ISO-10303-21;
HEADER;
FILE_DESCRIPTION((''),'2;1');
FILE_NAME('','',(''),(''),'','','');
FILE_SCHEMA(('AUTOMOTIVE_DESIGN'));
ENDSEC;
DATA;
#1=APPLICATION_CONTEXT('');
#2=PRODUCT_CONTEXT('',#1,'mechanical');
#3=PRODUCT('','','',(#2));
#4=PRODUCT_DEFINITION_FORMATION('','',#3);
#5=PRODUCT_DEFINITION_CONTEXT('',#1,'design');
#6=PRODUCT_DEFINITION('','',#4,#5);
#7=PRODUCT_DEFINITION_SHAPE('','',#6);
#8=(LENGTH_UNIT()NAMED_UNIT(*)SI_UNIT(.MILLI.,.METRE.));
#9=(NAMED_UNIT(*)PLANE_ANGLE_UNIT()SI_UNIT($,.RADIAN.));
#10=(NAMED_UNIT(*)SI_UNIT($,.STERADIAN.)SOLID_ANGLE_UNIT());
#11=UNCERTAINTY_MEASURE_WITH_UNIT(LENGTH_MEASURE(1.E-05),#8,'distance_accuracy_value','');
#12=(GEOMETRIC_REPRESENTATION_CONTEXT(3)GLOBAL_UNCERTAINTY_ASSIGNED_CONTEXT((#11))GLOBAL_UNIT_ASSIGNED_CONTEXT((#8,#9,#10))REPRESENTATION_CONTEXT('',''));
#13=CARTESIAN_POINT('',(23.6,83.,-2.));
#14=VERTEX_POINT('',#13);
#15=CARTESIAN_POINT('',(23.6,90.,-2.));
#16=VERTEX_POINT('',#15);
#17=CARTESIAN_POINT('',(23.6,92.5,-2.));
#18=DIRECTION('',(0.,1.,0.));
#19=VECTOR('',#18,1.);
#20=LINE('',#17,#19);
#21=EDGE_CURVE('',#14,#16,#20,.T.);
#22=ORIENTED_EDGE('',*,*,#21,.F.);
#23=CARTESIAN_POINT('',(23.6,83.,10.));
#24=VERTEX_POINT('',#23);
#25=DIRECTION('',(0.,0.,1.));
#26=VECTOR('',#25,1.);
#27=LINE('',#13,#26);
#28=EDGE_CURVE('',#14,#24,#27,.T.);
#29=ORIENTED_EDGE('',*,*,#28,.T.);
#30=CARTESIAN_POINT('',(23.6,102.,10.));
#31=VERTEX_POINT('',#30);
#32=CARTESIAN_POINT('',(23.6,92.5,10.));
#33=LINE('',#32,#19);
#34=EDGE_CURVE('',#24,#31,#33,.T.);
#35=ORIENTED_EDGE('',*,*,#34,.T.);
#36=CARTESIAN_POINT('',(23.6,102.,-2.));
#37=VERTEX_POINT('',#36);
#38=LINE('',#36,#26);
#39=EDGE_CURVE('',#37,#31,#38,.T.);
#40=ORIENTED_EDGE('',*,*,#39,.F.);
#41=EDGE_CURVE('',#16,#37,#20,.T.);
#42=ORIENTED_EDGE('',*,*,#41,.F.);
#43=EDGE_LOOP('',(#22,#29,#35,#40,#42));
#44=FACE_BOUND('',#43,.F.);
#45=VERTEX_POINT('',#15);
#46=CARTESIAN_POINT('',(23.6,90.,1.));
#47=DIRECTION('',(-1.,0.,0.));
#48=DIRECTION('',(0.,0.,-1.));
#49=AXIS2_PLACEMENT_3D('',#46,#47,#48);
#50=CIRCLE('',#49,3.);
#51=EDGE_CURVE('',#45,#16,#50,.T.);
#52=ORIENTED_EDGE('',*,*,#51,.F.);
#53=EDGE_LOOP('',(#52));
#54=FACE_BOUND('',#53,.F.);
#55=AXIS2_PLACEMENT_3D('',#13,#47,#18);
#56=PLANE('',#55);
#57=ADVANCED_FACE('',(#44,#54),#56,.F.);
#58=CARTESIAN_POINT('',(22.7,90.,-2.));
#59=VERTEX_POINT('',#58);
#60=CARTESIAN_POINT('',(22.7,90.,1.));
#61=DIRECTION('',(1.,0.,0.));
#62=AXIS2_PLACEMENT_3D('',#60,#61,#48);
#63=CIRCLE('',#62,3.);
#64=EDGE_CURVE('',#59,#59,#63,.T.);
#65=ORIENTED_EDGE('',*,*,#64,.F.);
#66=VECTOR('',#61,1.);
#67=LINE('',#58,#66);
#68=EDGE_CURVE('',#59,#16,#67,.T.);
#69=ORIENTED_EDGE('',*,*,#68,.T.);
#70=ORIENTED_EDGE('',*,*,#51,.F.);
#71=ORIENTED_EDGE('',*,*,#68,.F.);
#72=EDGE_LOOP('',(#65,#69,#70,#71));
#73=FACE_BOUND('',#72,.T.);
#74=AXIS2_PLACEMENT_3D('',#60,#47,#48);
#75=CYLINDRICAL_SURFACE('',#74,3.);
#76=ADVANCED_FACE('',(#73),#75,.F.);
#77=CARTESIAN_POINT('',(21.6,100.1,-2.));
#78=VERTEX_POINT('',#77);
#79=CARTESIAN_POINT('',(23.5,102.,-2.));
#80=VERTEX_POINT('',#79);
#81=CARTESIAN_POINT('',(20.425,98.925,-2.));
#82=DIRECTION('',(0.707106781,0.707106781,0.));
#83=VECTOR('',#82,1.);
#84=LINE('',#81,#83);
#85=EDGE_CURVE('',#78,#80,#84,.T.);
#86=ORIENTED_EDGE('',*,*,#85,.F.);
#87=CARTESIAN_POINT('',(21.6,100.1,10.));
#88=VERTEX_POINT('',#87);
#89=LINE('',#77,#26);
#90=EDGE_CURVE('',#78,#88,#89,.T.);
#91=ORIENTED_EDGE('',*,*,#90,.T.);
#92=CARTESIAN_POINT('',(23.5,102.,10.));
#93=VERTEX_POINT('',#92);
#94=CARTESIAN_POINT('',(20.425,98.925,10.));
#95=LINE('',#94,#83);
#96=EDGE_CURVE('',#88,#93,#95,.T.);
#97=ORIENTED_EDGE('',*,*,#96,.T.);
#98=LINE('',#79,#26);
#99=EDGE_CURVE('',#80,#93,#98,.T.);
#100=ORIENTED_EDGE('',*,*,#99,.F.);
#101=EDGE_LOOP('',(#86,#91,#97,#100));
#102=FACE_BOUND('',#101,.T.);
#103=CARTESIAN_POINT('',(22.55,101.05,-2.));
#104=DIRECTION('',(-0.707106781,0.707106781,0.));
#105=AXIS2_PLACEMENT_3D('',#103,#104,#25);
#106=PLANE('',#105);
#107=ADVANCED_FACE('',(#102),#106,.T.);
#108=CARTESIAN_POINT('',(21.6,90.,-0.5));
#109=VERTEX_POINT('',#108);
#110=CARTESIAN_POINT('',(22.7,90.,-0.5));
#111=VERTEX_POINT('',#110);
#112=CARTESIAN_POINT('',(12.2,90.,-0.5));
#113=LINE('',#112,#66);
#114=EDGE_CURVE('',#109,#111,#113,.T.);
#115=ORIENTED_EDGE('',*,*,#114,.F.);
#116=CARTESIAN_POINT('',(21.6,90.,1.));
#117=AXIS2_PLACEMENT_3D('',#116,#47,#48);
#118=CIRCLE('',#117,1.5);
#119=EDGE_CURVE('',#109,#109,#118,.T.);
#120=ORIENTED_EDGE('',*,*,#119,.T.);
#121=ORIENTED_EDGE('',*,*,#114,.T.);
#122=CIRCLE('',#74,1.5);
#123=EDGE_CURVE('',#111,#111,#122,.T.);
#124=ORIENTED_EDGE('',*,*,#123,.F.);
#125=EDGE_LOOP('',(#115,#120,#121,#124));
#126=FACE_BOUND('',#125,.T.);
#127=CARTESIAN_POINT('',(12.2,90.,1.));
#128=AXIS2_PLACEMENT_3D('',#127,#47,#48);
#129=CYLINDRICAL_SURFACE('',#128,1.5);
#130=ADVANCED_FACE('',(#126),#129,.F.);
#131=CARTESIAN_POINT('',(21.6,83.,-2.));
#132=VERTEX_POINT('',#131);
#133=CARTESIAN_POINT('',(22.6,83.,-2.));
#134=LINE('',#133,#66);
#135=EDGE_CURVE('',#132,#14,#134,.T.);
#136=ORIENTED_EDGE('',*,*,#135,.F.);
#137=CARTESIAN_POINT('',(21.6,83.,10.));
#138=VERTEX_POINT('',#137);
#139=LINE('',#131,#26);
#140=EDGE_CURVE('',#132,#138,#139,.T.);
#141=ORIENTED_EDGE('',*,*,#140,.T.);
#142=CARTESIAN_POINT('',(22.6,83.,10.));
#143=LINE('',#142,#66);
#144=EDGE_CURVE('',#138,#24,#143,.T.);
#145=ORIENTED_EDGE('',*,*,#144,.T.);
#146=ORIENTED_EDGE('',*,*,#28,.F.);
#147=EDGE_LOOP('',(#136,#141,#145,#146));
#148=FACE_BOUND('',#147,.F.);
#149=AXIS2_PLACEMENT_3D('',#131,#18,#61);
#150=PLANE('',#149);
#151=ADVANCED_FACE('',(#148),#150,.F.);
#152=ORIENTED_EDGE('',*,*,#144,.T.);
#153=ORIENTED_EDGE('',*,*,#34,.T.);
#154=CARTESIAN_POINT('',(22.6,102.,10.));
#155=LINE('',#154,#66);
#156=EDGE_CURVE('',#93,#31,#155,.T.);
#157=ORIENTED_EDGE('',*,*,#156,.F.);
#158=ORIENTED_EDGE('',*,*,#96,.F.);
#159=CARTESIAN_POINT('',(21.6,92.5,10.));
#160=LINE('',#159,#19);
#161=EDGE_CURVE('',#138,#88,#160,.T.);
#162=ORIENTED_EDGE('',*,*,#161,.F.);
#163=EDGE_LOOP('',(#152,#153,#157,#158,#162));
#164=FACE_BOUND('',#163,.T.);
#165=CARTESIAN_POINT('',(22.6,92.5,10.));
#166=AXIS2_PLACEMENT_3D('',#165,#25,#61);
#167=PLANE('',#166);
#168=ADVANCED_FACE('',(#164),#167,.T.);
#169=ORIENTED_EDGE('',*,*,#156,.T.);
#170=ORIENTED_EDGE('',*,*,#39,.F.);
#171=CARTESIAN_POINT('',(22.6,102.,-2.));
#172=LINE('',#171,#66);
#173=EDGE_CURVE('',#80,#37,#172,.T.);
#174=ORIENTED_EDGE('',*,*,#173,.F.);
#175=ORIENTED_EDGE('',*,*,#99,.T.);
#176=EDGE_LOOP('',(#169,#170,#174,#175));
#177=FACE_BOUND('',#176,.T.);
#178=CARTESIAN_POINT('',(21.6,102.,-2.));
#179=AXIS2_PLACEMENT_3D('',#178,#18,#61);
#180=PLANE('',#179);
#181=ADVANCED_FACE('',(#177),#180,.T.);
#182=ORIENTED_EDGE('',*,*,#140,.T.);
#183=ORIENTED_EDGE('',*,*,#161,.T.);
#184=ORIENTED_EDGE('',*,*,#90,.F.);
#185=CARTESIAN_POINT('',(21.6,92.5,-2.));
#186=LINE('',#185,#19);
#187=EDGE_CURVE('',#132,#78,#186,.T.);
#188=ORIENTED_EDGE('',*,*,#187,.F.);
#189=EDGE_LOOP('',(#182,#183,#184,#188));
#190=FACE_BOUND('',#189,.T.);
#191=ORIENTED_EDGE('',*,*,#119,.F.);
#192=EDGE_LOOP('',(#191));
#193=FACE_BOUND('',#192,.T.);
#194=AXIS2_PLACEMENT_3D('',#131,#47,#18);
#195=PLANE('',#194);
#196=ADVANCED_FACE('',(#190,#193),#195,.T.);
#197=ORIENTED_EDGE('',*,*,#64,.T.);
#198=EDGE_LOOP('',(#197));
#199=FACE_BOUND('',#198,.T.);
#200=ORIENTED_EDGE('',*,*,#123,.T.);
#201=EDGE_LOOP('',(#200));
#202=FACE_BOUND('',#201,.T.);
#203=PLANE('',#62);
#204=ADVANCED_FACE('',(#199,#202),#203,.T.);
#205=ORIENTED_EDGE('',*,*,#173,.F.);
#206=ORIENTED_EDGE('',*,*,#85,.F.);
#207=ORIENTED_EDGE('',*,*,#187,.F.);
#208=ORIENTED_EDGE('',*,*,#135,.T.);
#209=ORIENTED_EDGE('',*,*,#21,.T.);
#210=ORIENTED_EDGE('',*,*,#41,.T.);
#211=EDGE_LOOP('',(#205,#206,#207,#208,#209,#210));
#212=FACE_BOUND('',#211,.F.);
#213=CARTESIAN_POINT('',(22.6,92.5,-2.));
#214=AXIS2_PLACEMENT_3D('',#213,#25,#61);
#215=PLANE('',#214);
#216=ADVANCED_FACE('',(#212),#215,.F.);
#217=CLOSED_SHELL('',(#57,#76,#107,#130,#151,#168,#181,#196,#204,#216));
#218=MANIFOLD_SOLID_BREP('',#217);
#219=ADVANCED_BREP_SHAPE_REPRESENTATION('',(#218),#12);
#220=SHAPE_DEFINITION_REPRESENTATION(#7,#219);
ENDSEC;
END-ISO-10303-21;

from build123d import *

# Parameters (mm, degrees)
CYLINDER3124_R               = 3
CYLINDER3124_DEPTH           = 3
COMPOUND1375_PLACEMENT_ANGLE = 90
CYLINDER3123_R               = 1.5
CYLINDER3123_DEPTH           = 12
CYLINDER3126_R               = 1.5
CYLINDER3126_DEPTH           = 4
BOX1133_W                    = 6
BOX1133_H                    = 6
BOX1133_DEPTH                = 2
COMPOUND1373_PLACEMENT_ANGLE = 90
BOX1134_W                    = 2
BOX1134_H                    = 19
BOX1134_DEPTH                = 12
CHAMFER182_SIZE              = 1.9


with BuildPart() as compound1375:
    # Cylinder3124 → Cylinder3124 (new body)
    with BuildSketch(Plane(origin=(1, 14, 6), x_dir=(1, 0, 0), z_dir=(0, 0, 1))):
        Circle(CYLINDER3124_R)
    extrude(amount=CYLINDER3124_DEPTH)


with BuildPart() as compound1375_1:
    # Compound1375 placement: moved
    add(compound1375.part.moved(Location((16.5, 73, 2))).rotate(Axis((16.5, 73, 2), (0, 1, 0)), COMPOUND1375_PLACEMENT_ANGLE))


with BuildPart() as v_lec3093:
    # Cylinder3123 → Cylinder3123 (new body)
    with BuildSketch(Plane(origin=(1, 14, 6), x_dir=(1, 0, 0), z_dir=(0, 0, 1))):
        Circle(CYLINDER3123_R)
    extrude(amount=CYLINDER3123_DEPTH)


with BuildPart() as v_lec3096:
    # Cylinder3126 → Cylinder3126 (new body)
    with BuildSketch(Plane(origin=(1, 14, -0.1), x_dir=(1, 0, 0), z_dir=(0, 0, 1))):
        Circle(CYLINDER3126_R)
    extrude(amount=CYLINDER3126_DEPTH)


with BuildPart() as compound1373:
    # Box1133 → Box1133 (new body)
    with BuildSketch(Plane(origin=(-2, 11, 4), x_dir=(1, 0, 0), z_dir=(0, 0, 1))):
        with Locations((3, 3)):
            Rectangle(BOX1133_W, BOX1133_H)
    extrude(amount=BOX1133_DEPTH)

    # Compound1373: union Válec3093, Válec3096
    add(v_lec3093.part)
    add(v_lec3096.part)


with BuildPart() as compound1373_1:
    # Compound1373 placement: moved
    add(compound1373.part.moved(Location((6, 73, 2))).rotate(Axis((6, 73, 2), (0, 1, 0)), COMPOUND1373_PLACEMENT_ANGLE))


with BuildPart() as chamfer182:
    # Box1134 → Box1134 (new body)
    with BuildSketch(Plane(origin=(21.4, 80, -2), x_dir=(1, 0, 0), z_dir=(0, 0, 1))):
        with Locations((1, 9.5)):
            Rectangle(BOX1134_W, BOX1134_H)
    extrude(amount=BOX1134_DEPTH)

    # Cut1268: cut Compound1373
    add(compound1373_1.part, mode=Mode.SUBTRACT)

    # Cut1269: cut Compound1375
    add(compound1375_1.part, mode=Mode.SUBTRACT)

    # Chamfer182
    chamfer182_edges = [chamfer182.edges().sort_by_distance(p)[0] for p in [
        (21.4, 99, 4),
    ]]
    chamfer(chamfer182_edges, length=CHAMFER182_SIZE)


with BuildPart() as chamfer182_1:
    # Chamfer182 placement: moved
    add(chamfer182.part.moved(Location((0.2, 3, 0))))


solid = chamfer182_1.part
